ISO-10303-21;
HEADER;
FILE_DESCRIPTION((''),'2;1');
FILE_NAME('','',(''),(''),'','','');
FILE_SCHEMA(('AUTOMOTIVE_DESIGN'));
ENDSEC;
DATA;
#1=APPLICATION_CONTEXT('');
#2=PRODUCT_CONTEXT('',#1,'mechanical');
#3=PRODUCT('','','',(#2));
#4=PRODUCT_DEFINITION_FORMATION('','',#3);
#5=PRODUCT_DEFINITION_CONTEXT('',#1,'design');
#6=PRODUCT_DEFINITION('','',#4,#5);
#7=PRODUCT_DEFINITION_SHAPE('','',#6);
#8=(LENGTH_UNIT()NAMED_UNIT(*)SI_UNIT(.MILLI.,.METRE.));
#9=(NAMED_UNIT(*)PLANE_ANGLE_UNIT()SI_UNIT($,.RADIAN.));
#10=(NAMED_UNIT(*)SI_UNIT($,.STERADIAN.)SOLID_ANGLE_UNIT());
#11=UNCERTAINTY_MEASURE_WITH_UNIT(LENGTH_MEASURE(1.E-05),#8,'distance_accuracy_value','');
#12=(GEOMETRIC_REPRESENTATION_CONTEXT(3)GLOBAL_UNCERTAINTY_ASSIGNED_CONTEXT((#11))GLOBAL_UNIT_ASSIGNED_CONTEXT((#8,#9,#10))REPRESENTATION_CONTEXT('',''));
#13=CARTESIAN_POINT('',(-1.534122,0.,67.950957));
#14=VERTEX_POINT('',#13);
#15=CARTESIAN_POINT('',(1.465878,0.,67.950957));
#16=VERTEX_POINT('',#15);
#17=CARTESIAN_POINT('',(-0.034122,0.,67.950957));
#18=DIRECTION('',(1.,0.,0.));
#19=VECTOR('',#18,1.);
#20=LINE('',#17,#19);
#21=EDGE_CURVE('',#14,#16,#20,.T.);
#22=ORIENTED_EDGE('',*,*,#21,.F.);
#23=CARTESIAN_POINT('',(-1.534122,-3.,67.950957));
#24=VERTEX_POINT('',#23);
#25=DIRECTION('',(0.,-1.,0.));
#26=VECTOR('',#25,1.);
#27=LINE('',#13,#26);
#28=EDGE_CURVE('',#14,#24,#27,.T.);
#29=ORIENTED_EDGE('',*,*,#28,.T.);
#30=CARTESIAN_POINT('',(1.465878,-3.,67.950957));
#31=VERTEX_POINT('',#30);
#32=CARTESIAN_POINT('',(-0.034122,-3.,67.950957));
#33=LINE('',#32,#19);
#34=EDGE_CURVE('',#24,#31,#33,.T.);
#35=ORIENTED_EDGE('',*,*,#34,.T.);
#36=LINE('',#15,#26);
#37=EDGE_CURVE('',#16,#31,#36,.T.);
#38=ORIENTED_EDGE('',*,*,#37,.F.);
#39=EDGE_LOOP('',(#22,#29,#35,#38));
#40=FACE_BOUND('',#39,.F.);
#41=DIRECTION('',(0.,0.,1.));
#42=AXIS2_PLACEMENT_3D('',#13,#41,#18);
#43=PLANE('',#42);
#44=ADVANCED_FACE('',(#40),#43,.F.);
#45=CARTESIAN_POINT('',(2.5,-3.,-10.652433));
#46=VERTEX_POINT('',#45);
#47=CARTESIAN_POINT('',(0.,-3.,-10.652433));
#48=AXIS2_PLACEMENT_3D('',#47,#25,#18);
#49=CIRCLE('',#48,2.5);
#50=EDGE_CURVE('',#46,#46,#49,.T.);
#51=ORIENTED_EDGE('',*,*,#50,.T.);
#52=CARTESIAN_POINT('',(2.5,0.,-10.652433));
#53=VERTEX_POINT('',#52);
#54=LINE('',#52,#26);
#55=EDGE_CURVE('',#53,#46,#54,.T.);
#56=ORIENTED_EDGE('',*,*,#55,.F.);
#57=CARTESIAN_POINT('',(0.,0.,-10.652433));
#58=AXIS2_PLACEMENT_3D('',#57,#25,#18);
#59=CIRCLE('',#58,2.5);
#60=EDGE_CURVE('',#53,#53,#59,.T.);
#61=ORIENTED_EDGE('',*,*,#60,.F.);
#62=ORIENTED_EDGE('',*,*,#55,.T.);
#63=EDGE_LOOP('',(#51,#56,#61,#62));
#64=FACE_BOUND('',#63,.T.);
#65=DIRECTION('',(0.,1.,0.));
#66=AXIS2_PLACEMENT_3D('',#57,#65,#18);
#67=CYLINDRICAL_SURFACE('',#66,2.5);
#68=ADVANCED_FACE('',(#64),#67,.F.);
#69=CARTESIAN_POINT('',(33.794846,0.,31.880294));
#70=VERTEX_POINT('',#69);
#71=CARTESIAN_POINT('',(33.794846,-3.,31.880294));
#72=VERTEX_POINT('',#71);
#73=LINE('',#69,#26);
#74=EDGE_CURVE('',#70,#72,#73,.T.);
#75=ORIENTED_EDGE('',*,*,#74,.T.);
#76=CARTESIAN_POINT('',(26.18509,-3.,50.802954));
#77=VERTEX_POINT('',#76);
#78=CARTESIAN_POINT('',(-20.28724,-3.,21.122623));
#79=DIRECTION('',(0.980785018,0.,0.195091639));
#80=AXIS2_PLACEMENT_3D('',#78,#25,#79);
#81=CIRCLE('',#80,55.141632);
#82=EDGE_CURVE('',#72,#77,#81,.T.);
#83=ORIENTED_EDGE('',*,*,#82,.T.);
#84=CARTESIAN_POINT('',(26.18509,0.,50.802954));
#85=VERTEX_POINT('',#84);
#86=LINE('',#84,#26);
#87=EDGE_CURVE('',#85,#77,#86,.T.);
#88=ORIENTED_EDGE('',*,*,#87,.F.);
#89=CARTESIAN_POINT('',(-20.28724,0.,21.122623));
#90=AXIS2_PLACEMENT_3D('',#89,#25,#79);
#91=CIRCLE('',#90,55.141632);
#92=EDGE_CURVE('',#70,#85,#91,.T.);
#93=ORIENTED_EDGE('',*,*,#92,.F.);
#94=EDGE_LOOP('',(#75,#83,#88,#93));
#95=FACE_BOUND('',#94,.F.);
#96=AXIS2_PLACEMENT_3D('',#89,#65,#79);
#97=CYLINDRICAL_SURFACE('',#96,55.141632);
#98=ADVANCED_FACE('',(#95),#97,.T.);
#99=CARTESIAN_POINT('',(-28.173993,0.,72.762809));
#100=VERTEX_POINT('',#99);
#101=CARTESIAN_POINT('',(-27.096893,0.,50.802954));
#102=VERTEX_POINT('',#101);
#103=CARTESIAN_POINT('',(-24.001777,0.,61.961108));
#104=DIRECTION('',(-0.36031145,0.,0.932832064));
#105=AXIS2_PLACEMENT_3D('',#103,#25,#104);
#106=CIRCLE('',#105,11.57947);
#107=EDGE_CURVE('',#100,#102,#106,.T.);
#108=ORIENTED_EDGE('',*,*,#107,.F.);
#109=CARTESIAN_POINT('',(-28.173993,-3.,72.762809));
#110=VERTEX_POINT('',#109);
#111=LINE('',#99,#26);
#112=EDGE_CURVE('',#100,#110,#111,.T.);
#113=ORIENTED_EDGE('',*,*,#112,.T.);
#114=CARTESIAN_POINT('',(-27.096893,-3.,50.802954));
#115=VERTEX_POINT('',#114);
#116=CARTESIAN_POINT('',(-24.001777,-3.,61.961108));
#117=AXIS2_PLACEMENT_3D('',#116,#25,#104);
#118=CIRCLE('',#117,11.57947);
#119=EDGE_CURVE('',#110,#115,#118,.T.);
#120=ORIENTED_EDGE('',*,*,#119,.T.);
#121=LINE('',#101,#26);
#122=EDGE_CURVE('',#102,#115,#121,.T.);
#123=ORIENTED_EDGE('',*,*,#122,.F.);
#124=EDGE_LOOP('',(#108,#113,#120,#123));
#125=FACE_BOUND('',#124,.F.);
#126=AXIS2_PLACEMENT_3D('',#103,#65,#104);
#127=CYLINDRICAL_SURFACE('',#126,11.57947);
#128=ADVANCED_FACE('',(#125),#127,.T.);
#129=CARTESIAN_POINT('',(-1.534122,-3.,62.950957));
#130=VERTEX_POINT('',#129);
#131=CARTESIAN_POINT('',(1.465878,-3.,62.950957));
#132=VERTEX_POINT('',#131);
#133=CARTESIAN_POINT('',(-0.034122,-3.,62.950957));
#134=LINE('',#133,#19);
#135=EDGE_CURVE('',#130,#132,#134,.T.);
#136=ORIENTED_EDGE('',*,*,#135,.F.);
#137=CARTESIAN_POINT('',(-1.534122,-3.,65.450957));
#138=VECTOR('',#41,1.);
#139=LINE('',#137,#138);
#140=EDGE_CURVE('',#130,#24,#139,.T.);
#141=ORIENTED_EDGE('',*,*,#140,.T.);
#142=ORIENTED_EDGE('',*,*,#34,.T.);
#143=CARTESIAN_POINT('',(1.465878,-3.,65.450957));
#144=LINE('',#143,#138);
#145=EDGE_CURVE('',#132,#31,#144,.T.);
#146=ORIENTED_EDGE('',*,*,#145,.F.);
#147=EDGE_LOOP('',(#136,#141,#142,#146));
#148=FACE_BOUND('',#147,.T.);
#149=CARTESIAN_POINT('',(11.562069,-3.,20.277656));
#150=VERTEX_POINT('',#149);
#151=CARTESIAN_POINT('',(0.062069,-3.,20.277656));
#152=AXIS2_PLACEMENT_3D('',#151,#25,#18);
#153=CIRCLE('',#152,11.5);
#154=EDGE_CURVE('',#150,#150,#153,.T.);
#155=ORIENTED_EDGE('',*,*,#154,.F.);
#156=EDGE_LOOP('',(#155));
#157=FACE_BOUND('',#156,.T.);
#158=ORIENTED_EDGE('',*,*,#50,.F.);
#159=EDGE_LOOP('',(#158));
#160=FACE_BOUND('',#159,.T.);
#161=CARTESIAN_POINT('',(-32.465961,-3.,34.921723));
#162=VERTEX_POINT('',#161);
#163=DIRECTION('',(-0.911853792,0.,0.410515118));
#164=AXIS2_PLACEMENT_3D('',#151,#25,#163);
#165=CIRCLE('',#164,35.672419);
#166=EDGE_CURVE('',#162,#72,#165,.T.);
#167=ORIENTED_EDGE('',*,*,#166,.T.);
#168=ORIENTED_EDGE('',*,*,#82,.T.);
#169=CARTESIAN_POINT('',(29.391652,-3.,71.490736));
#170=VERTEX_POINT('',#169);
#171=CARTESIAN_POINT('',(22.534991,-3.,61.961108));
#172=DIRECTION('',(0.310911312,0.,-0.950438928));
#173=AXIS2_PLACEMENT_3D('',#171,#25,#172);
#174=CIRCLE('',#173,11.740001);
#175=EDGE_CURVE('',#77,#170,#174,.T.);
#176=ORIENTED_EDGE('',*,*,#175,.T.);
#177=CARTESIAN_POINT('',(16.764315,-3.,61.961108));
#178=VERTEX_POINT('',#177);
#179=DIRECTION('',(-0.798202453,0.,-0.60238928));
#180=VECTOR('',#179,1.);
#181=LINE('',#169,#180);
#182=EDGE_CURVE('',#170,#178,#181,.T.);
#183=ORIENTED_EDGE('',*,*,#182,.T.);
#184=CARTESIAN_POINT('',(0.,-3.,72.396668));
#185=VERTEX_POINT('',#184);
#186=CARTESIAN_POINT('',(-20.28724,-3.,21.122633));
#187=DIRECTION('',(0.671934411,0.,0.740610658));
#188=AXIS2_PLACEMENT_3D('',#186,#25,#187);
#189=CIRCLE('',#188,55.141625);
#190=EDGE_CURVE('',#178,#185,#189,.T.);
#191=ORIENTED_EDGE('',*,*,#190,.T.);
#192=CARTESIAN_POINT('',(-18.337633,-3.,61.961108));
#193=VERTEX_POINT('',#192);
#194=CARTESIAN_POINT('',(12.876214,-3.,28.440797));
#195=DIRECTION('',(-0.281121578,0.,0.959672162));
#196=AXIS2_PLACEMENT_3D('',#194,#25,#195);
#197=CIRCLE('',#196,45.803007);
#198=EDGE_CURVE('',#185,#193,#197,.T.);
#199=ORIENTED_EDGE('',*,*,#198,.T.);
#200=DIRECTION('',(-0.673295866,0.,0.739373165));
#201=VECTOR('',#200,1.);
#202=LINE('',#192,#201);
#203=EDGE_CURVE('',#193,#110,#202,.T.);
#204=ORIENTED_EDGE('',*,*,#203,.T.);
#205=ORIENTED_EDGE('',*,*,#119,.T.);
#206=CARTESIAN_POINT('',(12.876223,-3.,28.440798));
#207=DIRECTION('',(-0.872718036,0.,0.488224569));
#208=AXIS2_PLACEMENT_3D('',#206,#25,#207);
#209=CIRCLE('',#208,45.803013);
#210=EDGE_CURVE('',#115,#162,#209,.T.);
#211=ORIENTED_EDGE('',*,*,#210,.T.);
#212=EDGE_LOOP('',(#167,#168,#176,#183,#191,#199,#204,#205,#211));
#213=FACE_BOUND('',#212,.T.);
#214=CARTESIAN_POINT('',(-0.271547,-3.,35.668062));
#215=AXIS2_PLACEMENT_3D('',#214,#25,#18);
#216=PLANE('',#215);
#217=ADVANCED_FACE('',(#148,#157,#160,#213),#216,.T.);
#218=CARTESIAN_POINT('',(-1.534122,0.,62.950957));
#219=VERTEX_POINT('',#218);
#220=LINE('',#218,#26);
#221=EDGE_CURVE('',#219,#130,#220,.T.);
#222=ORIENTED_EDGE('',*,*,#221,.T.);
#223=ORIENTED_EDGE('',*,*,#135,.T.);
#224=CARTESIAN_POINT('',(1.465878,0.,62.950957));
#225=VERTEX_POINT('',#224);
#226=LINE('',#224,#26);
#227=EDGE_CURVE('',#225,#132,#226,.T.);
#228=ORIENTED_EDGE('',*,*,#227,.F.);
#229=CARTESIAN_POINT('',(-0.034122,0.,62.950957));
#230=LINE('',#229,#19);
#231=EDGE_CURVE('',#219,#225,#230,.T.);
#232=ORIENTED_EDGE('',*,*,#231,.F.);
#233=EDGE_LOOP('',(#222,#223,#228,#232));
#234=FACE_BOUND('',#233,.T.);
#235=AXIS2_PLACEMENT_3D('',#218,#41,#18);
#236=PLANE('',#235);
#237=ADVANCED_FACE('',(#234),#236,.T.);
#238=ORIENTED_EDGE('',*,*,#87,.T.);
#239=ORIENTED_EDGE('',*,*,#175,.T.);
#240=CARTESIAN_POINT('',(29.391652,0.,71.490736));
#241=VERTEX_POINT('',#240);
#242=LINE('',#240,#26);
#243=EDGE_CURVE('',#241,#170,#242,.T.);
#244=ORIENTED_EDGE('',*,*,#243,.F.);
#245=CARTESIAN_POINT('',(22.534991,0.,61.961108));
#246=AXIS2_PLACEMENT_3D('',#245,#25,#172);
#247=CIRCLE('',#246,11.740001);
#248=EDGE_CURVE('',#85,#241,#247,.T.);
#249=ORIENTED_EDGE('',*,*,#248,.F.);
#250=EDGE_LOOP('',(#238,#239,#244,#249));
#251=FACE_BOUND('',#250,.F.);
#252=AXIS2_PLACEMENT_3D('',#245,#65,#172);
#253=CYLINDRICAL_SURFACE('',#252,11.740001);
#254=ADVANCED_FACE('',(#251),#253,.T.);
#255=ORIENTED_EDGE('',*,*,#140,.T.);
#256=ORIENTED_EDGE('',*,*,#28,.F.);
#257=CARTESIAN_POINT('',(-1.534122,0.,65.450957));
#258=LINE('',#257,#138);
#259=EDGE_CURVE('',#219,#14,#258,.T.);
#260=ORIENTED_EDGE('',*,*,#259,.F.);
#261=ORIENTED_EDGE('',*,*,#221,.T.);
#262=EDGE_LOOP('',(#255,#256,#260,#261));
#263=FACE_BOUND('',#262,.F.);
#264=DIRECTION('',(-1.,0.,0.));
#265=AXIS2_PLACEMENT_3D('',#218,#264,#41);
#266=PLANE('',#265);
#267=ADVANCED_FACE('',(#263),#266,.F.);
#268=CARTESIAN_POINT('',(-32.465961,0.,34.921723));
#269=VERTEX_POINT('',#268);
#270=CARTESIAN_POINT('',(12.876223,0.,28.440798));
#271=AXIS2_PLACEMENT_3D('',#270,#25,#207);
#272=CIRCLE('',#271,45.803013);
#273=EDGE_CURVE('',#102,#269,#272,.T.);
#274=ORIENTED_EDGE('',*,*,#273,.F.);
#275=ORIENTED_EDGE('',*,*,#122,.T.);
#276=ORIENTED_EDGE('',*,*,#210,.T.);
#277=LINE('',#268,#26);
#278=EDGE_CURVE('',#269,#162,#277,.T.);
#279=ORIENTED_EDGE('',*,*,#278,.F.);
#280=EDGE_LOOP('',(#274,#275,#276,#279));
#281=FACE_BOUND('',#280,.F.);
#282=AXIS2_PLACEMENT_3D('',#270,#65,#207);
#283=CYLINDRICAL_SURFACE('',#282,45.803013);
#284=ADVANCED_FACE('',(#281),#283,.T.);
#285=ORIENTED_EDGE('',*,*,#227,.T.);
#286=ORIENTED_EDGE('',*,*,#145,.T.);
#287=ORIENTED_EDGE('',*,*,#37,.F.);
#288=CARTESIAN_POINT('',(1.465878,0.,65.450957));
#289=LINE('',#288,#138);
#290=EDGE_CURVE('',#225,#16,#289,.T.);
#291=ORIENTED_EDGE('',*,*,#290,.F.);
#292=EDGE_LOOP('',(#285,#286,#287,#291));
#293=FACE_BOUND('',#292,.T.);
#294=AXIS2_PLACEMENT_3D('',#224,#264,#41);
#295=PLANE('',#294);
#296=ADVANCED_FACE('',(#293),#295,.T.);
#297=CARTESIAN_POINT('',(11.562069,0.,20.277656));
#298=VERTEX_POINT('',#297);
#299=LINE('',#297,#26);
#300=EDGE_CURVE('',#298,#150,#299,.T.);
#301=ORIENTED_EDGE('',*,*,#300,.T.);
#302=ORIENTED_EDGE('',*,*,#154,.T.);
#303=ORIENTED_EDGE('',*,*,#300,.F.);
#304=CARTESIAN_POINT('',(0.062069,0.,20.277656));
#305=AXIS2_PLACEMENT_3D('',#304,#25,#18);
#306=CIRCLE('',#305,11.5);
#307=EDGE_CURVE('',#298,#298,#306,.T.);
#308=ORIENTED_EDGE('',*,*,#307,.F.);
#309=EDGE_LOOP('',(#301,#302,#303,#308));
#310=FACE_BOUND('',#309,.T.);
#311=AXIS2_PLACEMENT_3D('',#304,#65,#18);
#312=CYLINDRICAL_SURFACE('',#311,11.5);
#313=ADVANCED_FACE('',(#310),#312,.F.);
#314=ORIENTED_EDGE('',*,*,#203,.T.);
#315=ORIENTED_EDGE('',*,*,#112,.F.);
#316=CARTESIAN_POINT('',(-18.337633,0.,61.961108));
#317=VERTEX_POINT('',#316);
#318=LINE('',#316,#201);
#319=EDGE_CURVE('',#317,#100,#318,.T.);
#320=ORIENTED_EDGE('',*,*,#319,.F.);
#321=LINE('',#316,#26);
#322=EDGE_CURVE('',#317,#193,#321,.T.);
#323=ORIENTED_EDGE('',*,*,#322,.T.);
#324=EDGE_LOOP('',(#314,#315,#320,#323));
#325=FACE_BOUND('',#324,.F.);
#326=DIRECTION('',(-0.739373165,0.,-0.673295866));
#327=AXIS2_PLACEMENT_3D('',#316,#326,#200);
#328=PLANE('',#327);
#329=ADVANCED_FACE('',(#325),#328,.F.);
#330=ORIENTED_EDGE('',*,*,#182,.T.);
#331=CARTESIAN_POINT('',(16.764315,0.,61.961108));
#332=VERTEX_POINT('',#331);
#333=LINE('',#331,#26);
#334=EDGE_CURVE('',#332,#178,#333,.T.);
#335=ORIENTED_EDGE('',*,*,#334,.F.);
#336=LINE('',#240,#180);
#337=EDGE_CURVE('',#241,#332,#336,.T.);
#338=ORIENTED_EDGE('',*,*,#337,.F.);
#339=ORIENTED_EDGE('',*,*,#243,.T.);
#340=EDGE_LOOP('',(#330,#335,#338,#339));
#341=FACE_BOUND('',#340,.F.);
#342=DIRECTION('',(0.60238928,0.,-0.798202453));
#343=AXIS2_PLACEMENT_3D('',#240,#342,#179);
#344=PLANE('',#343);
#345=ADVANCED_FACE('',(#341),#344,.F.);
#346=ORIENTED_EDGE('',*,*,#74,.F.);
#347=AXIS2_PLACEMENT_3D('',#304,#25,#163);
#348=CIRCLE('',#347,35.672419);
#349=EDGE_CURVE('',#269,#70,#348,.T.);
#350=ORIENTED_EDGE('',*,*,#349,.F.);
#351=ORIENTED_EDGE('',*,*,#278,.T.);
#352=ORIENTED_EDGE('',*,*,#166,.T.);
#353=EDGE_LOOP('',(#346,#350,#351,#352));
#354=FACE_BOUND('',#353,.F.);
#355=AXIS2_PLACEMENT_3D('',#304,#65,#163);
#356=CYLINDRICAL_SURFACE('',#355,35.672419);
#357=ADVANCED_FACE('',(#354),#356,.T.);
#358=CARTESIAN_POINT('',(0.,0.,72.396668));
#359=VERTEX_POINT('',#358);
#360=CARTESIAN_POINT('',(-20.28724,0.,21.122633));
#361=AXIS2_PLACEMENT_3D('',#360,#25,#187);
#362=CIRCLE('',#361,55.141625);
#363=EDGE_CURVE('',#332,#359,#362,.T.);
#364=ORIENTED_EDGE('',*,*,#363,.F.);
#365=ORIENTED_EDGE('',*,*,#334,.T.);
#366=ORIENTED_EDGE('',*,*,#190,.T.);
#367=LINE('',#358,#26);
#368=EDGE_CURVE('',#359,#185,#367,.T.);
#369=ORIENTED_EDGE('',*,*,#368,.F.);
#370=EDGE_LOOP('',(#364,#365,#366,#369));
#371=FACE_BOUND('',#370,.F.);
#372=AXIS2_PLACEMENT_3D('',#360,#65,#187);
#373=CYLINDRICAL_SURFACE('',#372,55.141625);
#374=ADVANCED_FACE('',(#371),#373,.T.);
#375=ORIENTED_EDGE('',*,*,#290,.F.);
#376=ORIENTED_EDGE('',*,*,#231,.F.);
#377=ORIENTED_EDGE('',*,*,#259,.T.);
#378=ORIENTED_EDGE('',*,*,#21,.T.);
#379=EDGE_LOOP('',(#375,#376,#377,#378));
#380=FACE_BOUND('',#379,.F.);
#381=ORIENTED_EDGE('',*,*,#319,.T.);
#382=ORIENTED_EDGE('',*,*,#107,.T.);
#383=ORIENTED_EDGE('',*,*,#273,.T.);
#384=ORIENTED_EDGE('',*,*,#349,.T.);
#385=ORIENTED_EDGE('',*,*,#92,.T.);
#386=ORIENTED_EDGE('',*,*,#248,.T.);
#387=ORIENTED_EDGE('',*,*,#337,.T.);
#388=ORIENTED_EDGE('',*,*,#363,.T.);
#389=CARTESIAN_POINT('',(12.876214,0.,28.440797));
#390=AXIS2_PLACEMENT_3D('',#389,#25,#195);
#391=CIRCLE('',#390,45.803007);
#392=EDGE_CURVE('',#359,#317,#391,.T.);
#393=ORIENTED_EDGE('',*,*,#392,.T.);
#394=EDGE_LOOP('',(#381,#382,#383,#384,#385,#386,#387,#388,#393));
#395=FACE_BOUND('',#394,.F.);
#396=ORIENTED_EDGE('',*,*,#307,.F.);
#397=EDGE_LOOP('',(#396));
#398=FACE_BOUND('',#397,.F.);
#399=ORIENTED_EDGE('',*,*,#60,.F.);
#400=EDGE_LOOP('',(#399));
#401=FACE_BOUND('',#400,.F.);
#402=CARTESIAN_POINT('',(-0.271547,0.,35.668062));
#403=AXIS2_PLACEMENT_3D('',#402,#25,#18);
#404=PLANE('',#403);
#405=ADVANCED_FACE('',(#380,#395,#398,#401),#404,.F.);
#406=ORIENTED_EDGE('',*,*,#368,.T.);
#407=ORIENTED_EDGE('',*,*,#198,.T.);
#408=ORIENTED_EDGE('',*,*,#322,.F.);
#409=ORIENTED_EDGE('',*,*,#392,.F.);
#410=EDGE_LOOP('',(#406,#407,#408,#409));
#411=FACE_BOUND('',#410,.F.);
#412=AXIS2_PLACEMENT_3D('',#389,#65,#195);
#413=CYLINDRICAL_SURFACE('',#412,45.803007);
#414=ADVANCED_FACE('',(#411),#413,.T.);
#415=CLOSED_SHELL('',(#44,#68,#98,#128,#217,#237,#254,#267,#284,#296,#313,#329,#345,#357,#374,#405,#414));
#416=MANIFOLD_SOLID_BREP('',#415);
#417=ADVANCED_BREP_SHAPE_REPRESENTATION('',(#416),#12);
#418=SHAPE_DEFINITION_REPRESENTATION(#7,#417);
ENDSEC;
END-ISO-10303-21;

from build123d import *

# Parameters (mm, degrees)
F0_R     = 2.5
F0_R_2   = 11.5
F0_W     = 3
F0_H     = 5
F1_DEPTH = 3


with BuildPart() as f1:
    # F0 (on Front) → F1 (new body)
    with BuildSketch(Plane.XZ):
        with BuildLine():
            ThreePointArc((16.764315, 61.961108), (8.853103, 67.935443), (0, 72.396668))
            ThreePointArc((0, 72.396668), (-9.777894, 68.249174), (-18.337633, 61.961108))
            Line((-18.337633, 61.961108), (-28.173993, 72.762809))
            ThreePointArc((-28.173993, 72.762809), (-35.567344, 61.393833), (-27.096893, 50.802954))
            ThreePointArc((-27.096893, 50.802954), (-30.514196, 43.110071), (-32.465961, 34.921723))
            ThreePointArc((-32.465961, 34.921723), (-1.573604, -15.357243), (33.794846, 31.880294))
            ThreePointArc((33.794846, 31.880294), (30.872455, 41.696517), (26.18509, 50.802954))
            ThreePointArc((26.18509, 50.802954), (34.13646, 60.162905), (29.391652, 71.490736))
            Line((29.391652, 71.490736), (16.764315, 61.961108))
        make_face()
        with Locations((0, -10.652433)):
            Circle(F0_R, mode=Mode.SUBTRACT)
        with Locations((0.062069, 20.277656)):
            Circle(F0_R_2, mode=Mode.SUBTRACT)
        with Locations((-0.034122, 65.450957)):
            Rectangle(F0_W, F0_H, mode=Mode.SUBTRACT)
    extrude(amount=F1_DEPTH)


solid = f1.part
